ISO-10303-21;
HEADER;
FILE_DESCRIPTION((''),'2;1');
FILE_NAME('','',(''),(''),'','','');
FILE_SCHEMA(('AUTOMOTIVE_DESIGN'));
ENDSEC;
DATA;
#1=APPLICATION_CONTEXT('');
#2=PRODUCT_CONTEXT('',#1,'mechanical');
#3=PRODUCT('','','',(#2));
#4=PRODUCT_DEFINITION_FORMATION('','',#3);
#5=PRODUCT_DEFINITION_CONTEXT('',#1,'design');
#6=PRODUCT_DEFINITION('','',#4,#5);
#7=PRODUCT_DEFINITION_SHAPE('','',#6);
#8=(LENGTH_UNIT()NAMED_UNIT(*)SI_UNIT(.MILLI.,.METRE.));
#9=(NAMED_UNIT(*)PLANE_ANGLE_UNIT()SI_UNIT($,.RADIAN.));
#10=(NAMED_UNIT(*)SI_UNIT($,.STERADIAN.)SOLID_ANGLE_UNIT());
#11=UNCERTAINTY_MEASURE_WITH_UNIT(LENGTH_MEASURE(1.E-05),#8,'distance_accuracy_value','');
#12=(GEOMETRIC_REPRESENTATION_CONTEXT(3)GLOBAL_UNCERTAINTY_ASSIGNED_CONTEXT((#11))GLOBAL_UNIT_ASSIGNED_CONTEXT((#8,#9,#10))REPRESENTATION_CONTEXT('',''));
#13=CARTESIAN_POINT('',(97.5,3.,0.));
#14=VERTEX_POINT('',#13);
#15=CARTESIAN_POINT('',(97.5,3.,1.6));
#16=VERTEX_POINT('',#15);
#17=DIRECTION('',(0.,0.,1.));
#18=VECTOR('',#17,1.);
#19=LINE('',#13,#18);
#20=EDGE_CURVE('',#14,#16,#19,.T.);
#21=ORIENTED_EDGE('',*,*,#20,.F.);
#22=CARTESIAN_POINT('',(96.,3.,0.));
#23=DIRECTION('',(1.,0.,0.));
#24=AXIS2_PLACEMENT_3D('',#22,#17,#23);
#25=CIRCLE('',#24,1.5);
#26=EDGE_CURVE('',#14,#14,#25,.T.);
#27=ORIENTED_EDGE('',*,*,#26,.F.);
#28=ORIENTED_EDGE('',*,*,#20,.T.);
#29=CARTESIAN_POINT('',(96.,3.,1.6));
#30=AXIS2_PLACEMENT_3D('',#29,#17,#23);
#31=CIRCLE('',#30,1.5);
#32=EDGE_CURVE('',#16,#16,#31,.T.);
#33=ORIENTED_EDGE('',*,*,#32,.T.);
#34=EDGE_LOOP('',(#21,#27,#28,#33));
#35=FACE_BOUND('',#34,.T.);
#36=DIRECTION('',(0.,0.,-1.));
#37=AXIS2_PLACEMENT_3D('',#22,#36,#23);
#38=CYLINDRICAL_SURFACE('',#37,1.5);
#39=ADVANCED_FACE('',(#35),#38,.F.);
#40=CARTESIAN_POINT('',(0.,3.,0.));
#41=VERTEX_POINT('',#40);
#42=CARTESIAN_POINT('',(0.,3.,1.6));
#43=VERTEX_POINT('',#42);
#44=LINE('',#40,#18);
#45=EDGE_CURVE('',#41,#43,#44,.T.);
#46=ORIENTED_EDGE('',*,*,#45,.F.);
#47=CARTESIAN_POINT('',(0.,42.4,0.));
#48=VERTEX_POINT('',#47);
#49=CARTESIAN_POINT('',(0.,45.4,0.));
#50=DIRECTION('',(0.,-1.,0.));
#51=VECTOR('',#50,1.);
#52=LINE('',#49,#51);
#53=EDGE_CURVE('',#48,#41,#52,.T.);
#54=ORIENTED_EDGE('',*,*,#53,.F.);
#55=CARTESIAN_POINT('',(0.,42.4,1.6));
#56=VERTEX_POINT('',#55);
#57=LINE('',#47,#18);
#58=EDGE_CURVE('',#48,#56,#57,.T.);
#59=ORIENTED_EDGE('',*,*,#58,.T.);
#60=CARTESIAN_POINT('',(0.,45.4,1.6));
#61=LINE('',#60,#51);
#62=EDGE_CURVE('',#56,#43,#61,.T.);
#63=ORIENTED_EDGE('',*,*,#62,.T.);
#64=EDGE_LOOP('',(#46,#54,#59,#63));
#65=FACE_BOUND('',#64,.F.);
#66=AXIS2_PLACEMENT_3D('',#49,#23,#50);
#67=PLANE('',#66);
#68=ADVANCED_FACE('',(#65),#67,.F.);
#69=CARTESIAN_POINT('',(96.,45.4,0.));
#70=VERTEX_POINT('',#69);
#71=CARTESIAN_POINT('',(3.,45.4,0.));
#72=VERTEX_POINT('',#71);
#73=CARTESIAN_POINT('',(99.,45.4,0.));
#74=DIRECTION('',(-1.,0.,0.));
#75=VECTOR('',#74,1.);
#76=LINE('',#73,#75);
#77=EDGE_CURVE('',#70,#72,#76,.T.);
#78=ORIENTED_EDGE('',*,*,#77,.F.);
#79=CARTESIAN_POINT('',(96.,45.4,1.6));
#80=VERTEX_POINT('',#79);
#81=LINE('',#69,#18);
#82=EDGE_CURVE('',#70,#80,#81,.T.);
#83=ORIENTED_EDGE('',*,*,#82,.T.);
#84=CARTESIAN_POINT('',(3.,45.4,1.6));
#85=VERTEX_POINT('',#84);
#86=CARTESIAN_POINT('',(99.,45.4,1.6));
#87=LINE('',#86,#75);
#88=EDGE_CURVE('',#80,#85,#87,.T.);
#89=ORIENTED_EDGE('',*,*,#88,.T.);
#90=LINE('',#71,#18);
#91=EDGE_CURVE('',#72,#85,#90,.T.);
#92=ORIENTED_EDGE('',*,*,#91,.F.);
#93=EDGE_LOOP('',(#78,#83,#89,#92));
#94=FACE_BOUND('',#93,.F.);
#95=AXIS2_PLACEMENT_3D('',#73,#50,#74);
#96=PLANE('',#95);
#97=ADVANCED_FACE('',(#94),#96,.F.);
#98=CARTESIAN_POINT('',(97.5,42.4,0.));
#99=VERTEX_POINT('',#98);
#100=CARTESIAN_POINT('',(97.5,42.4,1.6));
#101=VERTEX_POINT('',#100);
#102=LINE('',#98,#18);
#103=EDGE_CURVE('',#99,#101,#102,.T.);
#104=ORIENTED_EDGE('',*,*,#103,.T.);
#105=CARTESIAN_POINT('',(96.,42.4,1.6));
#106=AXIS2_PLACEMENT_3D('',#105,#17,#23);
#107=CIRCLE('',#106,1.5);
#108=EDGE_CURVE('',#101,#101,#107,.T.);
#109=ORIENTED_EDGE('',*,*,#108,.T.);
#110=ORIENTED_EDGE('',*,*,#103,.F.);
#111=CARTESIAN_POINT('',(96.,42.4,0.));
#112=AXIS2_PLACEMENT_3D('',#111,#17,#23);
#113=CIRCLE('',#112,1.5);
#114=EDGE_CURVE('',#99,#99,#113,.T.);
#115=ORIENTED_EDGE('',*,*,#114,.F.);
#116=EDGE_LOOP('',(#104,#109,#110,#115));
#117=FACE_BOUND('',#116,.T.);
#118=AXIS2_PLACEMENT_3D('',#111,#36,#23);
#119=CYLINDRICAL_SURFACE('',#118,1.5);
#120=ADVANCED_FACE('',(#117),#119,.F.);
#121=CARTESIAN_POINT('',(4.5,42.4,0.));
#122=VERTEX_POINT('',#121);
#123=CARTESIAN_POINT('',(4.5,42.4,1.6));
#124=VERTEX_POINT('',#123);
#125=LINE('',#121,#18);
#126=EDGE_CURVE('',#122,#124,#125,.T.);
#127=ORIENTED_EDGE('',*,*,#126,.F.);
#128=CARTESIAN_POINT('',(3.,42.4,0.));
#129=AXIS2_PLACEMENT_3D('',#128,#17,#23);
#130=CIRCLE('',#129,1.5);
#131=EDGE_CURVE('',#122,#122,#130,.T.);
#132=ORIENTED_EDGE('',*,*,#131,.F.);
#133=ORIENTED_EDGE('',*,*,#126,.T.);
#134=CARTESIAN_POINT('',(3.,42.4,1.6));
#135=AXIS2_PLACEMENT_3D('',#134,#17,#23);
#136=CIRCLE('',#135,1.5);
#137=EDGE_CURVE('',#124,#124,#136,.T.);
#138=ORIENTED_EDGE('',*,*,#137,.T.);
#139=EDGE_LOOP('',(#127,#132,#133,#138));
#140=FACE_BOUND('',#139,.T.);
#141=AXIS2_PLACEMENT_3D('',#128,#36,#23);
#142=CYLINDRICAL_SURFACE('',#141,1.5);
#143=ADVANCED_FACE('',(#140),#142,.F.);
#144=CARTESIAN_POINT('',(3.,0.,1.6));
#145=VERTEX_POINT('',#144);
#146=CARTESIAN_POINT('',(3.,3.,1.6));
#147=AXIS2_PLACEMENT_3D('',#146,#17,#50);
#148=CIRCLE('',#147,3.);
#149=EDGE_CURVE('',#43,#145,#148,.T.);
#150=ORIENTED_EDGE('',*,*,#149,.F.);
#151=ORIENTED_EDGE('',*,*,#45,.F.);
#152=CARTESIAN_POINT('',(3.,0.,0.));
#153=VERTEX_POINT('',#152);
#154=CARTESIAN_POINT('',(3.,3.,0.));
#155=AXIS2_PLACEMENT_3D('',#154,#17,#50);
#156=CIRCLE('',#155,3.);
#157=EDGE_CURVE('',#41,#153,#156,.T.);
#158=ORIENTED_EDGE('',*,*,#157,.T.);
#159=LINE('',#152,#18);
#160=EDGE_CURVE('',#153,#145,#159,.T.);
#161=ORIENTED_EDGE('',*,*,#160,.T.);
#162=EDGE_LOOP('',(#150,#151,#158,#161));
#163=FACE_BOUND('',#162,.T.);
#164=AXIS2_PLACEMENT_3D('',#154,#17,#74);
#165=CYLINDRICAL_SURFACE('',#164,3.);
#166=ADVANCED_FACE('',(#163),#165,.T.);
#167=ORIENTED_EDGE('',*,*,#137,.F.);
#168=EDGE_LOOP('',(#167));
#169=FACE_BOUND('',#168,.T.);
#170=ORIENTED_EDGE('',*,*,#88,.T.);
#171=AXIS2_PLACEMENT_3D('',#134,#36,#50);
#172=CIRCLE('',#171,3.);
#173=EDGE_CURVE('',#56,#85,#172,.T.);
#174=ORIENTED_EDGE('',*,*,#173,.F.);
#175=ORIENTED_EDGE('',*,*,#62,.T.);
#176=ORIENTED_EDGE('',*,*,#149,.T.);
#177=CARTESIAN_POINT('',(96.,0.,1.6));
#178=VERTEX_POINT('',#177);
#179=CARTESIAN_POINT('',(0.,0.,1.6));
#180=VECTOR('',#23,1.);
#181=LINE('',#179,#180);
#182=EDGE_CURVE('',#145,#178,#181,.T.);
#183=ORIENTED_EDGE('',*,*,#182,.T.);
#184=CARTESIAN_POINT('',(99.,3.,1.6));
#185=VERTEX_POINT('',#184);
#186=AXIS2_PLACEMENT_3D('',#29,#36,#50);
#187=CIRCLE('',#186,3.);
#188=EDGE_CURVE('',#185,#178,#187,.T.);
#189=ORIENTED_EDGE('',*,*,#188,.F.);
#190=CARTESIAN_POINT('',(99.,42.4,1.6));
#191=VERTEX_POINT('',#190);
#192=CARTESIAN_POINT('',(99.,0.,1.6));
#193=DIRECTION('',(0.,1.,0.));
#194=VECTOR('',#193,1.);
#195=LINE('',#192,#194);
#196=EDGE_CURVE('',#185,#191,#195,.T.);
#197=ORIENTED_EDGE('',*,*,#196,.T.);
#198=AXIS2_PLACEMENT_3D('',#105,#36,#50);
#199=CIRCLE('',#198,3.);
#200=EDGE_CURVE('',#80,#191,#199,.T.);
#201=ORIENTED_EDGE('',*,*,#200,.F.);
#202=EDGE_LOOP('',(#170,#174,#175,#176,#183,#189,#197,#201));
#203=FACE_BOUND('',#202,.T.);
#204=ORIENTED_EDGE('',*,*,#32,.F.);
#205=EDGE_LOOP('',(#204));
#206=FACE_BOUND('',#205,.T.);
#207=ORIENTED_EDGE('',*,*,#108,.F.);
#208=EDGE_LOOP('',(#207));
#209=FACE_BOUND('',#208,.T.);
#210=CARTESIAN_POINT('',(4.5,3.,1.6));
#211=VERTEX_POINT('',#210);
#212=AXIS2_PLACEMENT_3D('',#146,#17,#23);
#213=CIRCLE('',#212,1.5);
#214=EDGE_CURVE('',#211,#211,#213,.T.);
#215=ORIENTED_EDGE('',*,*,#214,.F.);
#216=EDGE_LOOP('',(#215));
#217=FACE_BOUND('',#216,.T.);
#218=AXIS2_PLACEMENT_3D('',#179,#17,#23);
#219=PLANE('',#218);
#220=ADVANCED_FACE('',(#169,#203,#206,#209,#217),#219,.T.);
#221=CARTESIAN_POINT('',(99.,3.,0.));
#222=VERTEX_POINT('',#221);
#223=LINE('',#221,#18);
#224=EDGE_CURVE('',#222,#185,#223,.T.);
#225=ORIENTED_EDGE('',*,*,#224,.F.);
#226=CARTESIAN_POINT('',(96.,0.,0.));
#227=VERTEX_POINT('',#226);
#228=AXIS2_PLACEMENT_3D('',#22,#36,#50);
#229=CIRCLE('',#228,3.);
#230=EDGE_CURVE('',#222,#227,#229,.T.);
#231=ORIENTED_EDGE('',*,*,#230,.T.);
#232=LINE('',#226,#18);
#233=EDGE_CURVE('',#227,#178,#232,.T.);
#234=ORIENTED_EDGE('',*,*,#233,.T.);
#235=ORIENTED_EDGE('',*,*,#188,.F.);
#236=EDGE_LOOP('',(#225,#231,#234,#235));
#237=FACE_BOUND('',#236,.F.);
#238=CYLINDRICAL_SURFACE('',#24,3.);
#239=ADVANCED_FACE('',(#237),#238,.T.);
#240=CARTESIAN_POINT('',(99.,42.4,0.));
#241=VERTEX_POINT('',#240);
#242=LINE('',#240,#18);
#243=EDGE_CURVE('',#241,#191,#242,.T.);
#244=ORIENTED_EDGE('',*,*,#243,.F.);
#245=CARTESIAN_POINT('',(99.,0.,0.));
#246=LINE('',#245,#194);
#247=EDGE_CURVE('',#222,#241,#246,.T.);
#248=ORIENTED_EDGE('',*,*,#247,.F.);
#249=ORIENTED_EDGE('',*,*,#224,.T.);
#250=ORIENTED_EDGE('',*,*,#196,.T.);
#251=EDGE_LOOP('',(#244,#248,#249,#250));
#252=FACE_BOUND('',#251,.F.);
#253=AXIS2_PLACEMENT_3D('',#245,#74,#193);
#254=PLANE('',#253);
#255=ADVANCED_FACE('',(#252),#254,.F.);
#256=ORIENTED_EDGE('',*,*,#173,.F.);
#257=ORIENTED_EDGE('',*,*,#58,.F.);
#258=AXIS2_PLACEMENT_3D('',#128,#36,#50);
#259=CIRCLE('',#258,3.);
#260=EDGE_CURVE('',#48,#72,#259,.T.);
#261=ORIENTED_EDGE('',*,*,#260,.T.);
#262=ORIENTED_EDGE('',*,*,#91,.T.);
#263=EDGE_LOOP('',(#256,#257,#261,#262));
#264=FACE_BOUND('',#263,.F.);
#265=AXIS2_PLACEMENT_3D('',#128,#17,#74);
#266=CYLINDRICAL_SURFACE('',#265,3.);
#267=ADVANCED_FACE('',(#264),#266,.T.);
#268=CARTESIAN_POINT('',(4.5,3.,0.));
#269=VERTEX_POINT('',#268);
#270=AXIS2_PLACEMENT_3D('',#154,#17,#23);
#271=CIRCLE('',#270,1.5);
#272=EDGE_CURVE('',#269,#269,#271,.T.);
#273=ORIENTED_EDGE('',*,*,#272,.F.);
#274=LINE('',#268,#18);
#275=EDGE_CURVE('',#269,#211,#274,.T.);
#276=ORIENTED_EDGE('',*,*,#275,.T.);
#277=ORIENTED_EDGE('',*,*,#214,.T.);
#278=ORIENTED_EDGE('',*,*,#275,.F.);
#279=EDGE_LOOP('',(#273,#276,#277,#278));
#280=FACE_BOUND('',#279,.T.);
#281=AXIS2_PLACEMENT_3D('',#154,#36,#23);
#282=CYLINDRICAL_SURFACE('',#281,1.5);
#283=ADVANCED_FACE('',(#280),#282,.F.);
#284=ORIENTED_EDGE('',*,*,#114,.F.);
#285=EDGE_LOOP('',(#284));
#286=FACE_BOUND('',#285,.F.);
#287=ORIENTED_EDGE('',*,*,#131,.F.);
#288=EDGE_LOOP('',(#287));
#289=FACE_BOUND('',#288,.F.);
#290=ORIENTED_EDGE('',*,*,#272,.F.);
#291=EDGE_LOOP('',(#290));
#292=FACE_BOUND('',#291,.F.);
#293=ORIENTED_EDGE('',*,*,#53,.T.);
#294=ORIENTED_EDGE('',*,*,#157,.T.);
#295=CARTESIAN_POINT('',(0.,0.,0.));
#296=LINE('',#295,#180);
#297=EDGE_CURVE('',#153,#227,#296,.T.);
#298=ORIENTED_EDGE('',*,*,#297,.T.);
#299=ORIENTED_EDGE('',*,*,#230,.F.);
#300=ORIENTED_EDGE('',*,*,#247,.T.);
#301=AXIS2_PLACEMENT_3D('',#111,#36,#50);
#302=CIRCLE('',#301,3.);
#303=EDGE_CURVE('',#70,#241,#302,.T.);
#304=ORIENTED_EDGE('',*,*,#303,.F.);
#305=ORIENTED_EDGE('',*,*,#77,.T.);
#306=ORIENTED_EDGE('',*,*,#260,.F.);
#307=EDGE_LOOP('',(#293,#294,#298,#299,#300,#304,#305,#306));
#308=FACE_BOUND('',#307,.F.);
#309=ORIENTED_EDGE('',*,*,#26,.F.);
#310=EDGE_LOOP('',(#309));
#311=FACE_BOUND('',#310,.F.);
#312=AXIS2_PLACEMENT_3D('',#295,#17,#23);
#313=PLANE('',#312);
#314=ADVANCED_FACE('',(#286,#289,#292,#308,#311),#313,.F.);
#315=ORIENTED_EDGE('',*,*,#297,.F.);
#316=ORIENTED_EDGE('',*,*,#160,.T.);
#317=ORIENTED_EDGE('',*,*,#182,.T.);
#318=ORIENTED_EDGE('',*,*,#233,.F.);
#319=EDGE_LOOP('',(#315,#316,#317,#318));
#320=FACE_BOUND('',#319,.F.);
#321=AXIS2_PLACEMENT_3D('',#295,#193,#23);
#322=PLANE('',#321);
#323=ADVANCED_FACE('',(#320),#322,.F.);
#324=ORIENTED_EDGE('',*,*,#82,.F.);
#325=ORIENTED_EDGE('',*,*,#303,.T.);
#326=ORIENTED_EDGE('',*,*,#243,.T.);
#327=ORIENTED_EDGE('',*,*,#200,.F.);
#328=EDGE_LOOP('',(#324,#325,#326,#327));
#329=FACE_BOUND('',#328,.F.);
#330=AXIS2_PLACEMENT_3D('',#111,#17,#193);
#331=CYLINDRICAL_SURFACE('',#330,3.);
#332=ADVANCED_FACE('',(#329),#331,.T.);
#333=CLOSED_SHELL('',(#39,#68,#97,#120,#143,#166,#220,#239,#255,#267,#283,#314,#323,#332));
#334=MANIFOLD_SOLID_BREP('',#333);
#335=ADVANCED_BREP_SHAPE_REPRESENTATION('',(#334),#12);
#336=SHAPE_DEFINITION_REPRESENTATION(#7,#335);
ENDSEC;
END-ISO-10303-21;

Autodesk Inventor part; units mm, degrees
ref_plane "YZ Plane" through (0, 0, 0) normal (1, 0, 0) x (0, 1, 0)
ref_plane "XZ Plane" through (0, 0, 0) normal (0, 1, 0) x (-1, 0, 0)
ref_plane "XY Plane" through (0, 0, 0) normal (0, 0, 1) x (1, 0, 0)
sketch "Sketch1" plane through (0, 0, 0) normal (0, 0, 1) x (1, 0, 0)
  line L0 (0, 0) -> (99, 0)
  line L1 (99, 0) -> (99, 45.4)
  line L2 (99, 45.4) -> (0, 45.4)
  line L3 (0, 45.4) -> (0, 0)
  circle A0 centre (3, 42.4) radius 1.5
  circle A1 centre (3, 3) radius 1.5
  circle A2 centre (96, 3) radius 1.5
  circle A3 centre (96, 42.4) radius 1.5
  dimension "d0" = 45.4
  dimension "d1" = 99
  dimension "d2" = 3
  dimension "d3" = 3
  dimension "d4" = 3
  dimension "d5" = 3
  dimension "d6" = 3
  dimension "d7" = 3
  dimension "d8" = 3
  dimension "d9" = 3
  dimension "d10" = 3
  dimension "d11" = 3
  dimension "d12" = 3
  dimension "d13" = 3
extrude "Extrusion1" add sketch "Sketch1" along normal blind 1.6
fillet "Fillet1" radius 3 4 edges at (0, 0, 0.8) (99, 0, 0.8) (99, 45.4, 0.8) (0, 45.4, 0.8)
equation "\"d7\" = d6"
equation "\"d8\" = d9"
equation "\"d9\" = d7"
equation "\"d10\" = d11"
equation "\"d11\" = d8"
equation "\"d12\" = d10"
equation "\"d13\" = d12"
properties part number "PCB1"
